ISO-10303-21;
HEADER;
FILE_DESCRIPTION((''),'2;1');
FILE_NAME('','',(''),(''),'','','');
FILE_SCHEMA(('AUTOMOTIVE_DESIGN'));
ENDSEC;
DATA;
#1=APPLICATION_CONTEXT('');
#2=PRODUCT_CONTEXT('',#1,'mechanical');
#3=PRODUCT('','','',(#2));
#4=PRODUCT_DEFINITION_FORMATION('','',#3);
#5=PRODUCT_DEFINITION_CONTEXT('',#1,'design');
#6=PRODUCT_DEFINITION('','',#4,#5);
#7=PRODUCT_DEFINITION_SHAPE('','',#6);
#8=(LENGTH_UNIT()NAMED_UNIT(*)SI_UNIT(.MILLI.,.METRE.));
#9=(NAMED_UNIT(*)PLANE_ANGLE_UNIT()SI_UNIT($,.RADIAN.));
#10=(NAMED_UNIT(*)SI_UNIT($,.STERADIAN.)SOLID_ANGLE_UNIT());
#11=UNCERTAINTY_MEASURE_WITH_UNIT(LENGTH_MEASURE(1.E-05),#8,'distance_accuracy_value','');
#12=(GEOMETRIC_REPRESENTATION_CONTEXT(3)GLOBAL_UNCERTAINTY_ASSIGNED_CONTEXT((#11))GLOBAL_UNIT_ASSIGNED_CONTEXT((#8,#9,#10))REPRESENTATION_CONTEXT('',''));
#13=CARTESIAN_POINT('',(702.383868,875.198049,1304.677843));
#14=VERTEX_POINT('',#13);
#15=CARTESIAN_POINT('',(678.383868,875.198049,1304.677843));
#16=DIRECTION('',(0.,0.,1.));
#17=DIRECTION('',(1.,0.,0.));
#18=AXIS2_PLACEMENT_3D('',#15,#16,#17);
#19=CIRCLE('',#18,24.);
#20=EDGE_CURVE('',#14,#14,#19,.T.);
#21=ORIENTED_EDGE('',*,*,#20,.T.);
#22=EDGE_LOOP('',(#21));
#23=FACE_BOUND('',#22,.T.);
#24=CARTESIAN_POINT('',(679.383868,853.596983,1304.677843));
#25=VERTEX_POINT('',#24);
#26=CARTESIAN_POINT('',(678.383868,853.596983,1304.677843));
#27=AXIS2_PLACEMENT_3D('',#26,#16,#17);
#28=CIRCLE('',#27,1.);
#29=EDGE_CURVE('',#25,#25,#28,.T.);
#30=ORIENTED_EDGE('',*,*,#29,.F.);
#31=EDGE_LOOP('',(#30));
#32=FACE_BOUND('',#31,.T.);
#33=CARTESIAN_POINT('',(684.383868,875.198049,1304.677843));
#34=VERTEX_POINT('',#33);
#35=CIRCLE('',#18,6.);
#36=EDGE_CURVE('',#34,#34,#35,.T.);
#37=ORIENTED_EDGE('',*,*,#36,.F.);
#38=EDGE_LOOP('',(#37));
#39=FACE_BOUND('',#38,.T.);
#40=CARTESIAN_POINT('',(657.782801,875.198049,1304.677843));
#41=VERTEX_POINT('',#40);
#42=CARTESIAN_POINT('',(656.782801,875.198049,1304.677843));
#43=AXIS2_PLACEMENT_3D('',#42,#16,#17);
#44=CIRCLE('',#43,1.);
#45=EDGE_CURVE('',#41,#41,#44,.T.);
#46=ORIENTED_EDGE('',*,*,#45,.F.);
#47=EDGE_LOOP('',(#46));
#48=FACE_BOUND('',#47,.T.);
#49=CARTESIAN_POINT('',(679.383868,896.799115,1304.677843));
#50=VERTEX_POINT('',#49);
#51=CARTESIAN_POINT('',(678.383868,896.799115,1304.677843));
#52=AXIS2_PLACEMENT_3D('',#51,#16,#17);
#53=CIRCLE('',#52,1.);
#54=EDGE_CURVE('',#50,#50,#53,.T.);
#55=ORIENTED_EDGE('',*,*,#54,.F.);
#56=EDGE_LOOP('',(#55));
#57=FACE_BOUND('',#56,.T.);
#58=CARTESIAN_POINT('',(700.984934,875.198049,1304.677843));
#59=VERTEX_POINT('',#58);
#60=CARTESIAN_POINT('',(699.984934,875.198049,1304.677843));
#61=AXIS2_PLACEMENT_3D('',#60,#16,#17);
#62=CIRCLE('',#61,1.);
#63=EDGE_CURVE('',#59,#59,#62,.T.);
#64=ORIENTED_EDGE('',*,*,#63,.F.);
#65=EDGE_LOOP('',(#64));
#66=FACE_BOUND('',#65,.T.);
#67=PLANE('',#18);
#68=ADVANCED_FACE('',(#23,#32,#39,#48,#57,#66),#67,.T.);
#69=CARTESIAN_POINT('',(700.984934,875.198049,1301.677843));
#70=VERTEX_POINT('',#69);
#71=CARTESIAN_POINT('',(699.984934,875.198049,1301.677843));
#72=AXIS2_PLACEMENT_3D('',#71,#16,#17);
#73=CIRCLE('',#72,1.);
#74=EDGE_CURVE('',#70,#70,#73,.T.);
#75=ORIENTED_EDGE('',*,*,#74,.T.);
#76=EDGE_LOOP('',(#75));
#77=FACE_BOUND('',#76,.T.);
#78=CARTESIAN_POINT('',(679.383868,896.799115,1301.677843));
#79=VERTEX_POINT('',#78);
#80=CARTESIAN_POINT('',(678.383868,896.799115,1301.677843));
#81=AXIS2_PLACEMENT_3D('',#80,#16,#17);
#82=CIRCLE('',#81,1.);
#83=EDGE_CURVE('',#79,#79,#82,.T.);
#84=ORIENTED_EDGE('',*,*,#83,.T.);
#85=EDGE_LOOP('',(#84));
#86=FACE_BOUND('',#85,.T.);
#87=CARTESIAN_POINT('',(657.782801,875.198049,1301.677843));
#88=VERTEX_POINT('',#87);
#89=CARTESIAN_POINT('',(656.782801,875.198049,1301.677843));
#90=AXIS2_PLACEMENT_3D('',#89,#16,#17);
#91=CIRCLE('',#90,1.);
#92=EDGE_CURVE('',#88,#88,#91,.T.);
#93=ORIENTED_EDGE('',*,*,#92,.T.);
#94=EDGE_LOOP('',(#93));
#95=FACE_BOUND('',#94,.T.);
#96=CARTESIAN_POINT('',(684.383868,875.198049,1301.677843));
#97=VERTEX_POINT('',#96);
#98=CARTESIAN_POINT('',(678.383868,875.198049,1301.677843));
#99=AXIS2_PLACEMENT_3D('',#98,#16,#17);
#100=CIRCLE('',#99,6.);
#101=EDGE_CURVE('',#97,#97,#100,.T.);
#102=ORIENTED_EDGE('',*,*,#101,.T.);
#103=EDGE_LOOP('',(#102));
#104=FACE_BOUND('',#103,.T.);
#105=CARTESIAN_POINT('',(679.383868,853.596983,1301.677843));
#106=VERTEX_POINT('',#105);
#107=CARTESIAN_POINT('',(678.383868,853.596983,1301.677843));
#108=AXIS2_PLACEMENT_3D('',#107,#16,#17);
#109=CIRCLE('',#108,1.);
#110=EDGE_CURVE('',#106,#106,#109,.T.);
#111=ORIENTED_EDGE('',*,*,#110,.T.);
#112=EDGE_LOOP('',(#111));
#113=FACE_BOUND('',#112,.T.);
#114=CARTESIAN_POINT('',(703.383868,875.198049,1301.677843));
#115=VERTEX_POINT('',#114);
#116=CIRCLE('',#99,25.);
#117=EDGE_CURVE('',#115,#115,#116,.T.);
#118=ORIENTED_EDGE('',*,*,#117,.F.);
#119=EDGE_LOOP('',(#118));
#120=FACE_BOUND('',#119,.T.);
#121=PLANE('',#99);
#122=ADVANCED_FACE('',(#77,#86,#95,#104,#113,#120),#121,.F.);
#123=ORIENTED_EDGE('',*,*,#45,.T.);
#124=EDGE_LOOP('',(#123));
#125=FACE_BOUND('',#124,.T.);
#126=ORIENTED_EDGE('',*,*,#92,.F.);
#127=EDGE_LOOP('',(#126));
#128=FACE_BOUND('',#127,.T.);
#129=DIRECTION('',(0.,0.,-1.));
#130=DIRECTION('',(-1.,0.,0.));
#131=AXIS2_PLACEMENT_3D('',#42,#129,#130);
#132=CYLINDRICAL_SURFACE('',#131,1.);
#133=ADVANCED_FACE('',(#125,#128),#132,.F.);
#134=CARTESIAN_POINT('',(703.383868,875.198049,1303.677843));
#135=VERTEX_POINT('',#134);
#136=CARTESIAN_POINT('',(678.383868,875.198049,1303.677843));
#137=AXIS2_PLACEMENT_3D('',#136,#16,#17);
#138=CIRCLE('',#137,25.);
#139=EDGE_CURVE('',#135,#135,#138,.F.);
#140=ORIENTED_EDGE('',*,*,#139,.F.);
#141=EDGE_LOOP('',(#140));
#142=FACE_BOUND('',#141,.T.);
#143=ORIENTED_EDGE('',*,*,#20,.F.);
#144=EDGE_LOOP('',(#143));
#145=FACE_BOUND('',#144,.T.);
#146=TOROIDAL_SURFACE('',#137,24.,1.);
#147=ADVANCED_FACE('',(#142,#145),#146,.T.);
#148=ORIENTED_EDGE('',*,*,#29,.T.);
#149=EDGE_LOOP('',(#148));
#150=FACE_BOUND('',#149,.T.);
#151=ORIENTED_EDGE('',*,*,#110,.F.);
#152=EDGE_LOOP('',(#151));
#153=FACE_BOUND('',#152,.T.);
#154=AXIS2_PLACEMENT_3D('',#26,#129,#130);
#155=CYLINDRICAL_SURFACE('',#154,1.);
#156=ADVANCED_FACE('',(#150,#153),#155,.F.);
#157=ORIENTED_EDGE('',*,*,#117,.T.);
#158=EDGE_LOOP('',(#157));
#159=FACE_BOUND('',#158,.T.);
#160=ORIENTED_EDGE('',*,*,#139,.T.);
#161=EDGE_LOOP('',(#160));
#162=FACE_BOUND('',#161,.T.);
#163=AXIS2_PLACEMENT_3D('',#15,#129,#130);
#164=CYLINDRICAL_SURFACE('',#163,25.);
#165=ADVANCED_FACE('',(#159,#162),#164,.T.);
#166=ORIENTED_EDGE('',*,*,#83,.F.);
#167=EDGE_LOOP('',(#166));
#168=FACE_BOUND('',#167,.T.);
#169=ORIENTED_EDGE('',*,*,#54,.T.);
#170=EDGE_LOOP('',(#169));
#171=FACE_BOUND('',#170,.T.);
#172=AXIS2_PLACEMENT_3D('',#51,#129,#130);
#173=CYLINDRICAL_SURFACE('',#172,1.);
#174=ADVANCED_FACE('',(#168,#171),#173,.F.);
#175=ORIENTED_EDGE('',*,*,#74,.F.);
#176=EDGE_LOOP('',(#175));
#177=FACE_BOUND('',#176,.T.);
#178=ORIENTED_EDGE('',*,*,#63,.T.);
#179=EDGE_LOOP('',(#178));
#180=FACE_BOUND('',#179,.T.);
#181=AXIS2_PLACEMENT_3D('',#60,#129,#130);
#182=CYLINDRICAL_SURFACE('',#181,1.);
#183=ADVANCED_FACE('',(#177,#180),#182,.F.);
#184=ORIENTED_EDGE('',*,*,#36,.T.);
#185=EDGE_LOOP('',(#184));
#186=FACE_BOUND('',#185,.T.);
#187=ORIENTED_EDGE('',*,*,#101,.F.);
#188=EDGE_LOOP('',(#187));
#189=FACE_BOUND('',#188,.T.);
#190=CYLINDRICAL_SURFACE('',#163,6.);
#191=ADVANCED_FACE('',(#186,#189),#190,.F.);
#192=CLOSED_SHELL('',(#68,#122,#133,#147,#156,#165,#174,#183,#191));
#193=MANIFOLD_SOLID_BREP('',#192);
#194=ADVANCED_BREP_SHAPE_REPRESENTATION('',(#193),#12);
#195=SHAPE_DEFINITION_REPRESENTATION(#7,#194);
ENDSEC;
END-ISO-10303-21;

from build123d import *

# Parameters (mm, degrees)
SKETCH1_R           = 25
SKETCH1_R_2         = 6
SKETCH1_R_3         = 1
BOSS_EXTRUDE1_DEPTH = 3
FILLET1_R           = 1


with BuildPart() as part:
    # Sketch1 → Boss-Extrude1 (new body)
    with BuildSketch(Plane.XY.offset(1301.677843453)):
        with Locations((678.383867879, 875.198049015)):
            Circle(SKETCH1_R)
        with Locations((678.383867879, 875.198049015)):
            Circle(SKETCH1_R_2, mode=Mode.SUBTRACT)
        with Locations((678.383867879, 896.799115491)):
            Circle(SKETCH1_R_3, mode=Mode.SUBTRACT)
        with Locations((678.383867879, 853.59698254)):
            Circle(SKETCH1_R_3, mode=Mode.SUBTRACT)
        with Locations((699.984934354, 875.198049015)):
            Circle(SKETCH1_R_3, mode=Mode.SUBTRACT)
        with Locations((656.782801404, 875.198049015)):
            Circle(SKETCH1_R_3, mode=Mode.SUBTRACT)
    extrude(amount=BOSS_EXTRUDE1_DEPTH)

    # Fillet1
    fillet1_edges = [part.edges().sort_by_distance(p)[0] for p in [
        (653.383867879, 875.198049015, 1304.677843453),
    ]]
    fillet(fillet1_edges, radius=FILLET1_R)


solid = part.part
